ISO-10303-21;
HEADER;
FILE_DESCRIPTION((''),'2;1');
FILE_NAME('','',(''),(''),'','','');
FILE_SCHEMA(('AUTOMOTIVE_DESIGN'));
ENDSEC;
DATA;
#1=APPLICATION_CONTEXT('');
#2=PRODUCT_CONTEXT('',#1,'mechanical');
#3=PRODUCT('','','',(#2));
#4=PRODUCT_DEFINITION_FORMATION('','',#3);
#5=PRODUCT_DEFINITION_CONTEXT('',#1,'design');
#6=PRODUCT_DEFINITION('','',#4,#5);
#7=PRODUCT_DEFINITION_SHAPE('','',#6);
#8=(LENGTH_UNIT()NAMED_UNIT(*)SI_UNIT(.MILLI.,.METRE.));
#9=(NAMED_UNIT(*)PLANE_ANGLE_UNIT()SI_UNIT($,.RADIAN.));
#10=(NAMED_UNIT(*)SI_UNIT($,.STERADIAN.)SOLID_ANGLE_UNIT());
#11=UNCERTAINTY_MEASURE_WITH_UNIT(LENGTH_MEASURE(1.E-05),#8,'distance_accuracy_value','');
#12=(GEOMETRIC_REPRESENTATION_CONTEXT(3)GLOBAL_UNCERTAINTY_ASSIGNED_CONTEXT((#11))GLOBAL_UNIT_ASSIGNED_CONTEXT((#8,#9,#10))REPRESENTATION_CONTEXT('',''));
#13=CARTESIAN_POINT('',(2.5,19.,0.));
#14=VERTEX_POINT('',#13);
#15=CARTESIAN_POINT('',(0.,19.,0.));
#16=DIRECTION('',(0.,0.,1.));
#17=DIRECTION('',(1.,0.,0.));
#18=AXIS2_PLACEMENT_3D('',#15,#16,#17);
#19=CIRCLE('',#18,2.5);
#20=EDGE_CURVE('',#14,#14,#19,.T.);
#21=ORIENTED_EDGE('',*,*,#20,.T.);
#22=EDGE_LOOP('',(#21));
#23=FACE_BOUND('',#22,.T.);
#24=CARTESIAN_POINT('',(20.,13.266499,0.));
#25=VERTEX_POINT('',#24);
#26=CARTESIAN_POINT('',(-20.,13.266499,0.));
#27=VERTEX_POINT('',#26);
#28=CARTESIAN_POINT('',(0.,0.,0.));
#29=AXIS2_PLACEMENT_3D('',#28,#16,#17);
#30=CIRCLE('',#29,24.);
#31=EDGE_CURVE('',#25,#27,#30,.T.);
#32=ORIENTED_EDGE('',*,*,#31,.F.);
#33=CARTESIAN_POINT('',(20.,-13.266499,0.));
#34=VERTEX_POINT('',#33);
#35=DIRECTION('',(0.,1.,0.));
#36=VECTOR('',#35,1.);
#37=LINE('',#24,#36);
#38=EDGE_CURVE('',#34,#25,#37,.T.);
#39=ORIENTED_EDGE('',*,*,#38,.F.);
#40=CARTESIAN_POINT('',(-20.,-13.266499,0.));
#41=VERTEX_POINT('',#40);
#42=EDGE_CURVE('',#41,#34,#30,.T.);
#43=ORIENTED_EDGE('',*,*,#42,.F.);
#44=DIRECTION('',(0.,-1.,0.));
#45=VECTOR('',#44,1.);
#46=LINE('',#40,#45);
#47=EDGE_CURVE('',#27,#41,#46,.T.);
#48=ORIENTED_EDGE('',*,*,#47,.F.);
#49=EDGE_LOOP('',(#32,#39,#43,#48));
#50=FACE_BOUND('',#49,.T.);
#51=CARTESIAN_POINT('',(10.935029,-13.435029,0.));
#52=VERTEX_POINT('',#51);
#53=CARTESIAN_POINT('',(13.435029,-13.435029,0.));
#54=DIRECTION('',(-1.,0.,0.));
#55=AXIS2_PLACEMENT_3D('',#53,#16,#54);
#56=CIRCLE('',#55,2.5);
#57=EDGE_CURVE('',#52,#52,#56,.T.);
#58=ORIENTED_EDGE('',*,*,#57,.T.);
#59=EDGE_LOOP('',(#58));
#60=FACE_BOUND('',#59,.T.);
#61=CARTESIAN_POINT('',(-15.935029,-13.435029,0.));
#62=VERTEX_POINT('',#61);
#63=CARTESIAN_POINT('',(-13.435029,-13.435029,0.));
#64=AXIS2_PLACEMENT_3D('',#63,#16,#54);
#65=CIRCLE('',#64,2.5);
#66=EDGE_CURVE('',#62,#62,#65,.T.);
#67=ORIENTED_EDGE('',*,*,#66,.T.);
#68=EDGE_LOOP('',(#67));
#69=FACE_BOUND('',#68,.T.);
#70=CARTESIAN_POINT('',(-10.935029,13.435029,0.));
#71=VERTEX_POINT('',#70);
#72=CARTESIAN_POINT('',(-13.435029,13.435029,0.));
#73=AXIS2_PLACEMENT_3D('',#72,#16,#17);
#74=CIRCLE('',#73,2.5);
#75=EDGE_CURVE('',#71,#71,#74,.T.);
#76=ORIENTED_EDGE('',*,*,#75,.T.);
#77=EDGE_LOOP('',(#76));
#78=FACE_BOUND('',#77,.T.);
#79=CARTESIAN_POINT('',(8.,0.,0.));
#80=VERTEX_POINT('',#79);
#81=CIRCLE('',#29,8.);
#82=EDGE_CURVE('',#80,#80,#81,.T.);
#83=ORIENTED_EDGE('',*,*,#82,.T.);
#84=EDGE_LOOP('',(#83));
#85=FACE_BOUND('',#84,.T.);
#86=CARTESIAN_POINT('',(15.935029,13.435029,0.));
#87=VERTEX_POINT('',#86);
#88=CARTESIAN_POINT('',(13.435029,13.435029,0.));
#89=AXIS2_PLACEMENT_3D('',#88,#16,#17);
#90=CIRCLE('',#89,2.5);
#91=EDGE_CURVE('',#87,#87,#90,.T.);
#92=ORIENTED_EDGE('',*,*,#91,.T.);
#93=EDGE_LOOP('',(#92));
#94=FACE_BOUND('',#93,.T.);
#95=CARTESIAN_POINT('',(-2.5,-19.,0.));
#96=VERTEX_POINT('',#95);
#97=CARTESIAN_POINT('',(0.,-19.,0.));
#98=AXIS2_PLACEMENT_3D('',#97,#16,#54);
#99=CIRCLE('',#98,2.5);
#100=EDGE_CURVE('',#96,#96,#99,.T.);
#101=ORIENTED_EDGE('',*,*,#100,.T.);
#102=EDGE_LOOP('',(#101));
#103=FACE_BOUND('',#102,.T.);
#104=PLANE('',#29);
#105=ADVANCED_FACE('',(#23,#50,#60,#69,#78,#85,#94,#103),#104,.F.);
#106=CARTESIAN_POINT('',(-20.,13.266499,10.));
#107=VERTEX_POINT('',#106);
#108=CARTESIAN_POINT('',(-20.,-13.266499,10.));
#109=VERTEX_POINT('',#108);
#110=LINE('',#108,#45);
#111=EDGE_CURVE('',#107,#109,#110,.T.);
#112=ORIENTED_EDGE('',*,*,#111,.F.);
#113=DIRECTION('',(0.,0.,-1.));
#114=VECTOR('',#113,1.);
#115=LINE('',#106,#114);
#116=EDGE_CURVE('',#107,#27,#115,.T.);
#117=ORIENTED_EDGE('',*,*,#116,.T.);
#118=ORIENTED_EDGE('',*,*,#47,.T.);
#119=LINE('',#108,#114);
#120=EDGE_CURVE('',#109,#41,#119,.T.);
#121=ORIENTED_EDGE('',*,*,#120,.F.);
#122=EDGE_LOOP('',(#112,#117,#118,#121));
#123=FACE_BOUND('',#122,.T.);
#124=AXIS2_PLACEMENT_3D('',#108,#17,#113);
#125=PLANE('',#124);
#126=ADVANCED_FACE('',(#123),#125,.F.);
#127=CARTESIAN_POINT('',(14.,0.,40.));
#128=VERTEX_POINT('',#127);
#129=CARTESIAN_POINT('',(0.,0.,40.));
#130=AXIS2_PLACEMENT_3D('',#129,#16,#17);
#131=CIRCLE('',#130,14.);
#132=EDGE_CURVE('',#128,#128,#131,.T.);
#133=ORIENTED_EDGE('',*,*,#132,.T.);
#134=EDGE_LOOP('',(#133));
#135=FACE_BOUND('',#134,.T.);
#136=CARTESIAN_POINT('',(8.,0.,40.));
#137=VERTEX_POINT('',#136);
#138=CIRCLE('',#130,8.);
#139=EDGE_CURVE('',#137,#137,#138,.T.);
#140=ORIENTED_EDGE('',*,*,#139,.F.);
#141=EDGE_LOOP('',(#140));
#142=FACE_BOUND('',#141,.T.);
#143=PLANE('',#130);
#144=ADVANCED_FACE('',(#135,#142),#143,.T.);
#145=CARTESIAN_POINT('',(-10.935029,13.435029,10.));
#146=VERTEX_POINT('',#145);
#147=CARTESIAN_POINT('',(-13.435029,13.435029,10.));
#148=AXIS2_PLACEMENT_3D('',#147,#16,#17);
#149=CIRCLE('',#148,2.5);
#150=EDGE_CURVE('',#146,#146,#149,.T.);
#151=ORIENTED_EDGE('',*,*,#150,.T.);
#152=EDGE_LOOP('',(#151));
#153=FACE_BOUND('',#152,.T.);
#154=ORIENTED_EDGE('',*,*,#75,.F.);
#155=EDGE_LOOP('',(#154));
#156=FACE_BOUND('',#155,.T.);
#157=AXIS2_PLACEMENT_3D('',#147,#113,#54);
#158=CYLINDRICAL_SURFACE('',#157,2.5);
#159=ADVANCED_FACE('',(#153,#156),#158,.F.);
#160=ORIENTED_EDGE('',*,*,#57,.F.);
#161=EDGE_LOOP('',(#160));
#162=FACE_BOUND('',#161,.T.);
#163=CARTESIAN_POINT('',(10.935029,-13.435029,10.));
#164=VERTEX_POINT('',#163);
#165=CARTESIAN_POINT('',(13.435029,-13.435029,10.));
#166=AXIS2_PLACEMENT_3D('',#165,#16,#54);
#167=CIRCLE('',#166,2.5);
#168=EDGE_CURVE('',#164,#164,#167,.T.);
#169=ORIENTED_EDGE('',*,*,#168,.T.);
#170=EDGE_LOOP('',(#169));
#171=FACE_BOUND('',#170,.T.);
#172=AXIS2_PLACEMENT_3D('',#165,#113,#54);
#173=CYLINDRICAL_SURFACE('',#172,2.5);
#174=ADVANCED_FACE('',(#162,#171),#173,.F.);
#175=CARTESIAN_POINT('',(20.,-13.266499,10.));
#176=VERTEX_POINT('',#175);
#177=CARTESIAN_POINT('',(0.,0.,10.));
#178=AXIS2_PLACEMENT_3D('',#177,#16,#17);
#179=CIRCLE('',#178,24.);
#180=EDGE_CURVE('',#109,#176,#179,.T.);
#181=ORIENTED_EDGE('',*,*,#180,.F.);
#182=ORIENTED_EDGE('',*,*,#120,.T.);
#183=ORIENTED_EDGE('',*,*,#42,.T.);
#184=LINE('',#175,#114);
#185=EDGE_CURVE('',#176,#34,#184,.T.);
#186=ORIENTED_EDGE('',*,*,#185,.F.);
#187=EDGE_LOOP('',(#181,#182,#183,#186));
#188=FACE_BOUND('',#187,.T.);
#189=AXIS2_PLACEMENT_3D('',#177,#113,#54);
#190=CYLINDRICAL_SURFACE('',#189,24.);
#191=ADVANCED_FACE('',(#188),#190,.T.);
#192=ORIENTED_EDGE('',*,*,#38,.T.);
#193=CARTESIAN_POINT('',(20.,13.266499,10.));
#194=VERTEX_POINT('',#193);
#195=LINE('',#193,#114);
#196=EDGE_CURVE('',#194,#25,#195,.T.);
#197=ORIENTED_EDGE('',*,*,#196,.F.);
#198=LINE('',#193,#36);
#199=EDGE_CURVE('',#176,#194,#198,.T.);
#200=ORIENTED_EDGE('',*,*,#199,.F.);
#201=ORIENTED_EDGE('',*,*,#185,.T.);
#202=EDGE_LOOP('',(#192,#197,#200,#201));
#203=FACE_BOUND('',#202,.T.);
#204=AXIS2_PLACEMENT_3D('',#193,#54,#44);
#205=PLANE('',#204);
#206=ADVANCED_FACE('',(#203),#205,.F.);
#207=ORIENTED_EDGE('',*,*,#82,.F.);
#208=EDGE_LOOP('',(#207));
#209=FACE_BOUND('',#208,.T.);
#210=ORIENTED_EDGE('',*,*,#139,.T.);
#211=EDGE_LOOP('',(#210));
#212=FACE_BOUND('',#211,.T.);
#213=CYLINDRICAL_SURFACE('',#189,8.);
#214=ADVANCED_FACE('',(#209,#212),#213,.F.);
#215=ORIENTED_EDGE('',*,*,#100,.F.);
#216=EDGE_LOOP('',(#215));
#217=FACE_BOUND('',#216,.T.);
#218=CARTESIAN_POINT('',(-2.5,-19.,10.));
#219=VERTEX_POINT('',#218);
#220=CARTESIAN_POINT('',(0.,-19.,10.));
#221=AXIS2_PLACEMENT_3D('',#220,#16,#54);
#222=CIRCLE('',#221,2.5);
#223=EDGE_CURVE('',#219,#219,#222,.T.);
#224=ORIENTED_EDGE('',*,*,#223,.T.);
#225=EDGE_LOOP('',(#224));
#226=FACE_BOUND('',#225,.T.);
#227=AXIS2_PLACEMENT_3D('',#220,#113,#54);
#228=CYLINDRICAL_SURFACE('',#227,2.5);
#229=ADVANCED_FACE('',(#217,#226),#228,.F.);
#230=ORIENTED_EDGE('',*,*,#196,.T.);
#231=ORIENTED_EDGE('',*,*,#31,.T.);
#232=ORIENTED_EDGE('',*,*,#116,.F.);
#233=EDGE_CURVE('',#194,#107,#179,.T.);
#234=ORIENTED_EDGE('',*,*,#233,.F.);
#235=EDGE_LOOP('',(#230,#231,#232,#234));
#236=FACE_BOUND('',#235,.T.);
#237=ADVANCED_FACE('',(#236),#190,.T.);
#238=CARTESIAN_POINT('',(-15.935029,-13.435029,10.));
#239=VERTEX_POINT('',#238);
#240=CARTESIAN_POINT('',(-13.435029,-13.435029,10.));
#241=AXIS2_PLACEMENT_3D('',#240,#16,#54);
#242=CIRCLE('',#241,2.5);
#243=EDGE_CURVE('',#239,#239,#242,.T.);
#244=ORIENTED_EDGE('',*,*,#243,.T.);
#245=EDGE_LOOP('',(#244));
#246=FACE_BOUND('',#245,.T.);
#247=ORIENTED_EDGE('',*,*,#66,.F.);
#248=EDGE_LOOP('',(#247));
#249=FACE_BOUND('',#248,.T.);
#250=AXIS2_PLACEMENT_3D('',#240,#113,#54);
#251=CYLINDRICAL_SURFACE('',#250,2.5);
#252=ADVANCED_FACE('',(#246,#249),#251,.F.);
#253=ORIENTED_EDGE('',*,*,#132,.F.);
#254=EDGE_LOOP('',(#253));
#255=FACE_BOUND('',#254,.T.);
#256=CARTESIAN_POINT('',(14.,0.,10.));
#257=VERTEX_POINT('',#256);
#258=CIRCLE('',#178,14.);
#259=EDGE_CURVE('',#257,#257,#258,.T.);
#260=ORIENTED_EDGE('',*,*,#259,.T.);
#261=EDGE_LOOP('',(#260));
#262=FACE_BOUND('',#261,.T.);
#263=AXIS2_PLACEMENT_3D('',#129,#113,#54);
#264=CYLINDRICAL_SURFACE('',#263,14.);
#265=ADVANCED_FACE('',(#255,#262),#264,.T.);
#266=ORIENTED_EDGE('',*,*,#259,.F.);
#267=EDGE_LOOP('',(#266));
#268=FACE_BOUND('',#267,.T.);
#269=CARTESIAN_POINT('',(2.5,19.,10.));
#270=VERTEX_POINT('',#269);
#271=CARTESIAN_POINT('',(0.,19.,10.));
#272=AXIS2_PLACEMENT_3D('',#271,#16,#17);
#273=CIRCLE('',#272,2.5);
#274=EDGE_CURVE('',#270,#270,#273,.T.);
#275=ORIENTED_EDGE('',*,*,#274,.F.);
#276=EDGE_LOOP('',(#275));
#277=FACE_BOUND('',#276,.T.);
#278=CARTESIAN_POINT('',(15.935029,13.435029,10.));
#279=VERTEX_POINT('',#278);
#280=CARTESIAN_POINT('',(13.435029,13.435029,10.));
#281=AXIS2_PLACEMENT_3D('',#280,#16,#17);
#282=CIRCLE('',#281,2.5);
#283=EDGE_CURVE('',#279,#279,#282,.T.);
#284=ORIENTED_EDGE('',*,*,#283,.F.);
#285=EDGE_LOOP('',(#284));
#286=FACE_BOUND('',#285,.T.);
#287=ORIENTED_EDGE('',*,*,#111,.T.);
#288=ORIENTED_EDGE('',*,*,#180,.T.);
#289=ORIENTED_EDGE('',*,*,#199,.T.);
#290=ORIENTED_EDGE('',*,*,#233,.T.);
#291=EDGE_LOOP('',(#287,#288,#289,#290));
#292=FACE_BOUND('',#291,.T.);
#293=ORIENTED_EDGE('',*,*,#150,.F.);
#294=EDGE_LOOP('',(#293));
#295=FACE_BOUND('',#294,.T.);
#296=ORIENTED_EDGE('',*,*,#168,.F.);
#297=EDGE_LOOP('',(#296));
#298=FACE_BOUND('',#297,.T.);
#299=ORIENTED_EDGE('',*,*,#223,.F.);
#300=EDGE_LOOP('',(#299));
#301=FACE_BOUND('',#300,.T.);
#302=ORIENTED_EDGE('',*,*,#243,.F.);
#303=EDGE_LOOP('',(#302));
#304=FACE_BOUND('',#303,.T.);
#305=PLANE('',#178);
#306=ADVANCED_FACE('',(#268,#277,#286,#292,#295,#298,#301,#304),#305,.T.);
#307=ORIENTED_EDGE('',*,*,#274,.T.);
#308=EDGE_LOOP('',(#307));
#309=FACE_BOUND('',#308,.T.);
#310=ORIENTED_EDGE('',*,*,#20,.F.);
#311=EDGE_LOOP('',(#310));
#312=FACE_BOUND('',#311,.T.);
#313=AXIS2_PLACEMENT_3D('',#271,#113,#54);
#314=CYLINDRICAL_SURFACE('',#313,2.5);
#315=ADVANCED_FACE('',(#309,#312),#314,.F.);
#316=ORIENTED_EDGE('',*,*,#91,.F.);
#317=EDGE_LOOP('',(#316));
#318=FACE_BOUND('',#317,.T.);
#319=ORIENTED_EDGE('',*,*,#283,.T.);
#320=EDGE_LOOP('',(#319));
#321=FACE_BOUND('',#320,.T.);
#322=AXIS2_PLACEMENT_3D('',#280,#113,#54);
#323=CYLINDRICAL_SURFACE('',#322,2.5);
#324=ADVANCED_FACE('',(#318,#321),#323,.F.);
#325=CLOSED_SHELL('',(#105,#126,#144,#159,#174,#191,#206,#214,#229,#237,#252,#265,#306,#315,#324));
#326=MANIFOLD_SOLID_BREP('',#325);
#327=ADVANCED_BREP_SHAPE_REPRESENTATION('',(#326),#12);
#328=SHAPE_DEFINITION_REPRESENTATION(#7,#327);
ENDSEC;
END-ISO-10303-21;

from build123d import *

# Parameters (mm, degrees)
SKETCH_1_R      = 2.5
SKETCH_1_R_2    = 8
EXTRUDE_1_DEPTH = 10
SKETCH_2_R      = 14
SKETCH_2_R_2    = 8
EXTRUDE_2_DEPTH = 30


with BuildPart() as part:
    # 草图1 → 凸台-拉伸1 (new body)
    with BuildSketch(Plane.XY):
        with BuildLine():
            Line((20, 13.266499161), (20, -13.266499161))
            ThreePointArc((20, -13.266499161), (0, -24), (-20, -13.266499161))
            Line((-20, -13.266499161), (-20, 13.266499161))
            ThreePointArc((-20, 13.266499161), (0, 24), (20, 13.266499161))
        make_face()
        with Locations((0, 19)):
            Circle(SKETCH_1_R, mode=Mode.SUBTRACT)
        with Locations((13.435028843, 13.435028843)):
            Circle(SKETCH_1_R, mode=Mode.SUBTRACT)
        with Locations((-13.435028843, 13.435028843)):
            Circle(SKETCH_1_R, mode=Mode.SUBTRACT)
        with Locations(Location((0, -19, 0), (0, 0, 180))):
            Circle(SKETCH_1_R, mode=Mode.SUBTRACT)
        with Locations(Location((-13.435028843, -13.435028843, 0), (0, 0, 180))):
            Circle(SKETCH_1_R, mode=Mode.SUBTRACT)
        with Locations(Location((13.435028843, -13.435028843, 0), (0, 0, 180))):
            Circle(SKETCH_1_R, mode=Mode.SUBTRACT)
        Circle(SKETCH_1_R_2, mode=Mode.SUBTRACT)
    extrude(amount=EXTRUDE_1_DEPTH)

    # 草图2 → 凸台-拉伸2 (add)
    with BuildSketch(Plane.XY.offset(10)):
        Circle(SKETCH_2_R)
        Circle(SKETCH_2_R_2, mode=Mode.SUBTRACT)
    extrude(amount=EXTRUDE_2_DEPTH)


solid = part.part
